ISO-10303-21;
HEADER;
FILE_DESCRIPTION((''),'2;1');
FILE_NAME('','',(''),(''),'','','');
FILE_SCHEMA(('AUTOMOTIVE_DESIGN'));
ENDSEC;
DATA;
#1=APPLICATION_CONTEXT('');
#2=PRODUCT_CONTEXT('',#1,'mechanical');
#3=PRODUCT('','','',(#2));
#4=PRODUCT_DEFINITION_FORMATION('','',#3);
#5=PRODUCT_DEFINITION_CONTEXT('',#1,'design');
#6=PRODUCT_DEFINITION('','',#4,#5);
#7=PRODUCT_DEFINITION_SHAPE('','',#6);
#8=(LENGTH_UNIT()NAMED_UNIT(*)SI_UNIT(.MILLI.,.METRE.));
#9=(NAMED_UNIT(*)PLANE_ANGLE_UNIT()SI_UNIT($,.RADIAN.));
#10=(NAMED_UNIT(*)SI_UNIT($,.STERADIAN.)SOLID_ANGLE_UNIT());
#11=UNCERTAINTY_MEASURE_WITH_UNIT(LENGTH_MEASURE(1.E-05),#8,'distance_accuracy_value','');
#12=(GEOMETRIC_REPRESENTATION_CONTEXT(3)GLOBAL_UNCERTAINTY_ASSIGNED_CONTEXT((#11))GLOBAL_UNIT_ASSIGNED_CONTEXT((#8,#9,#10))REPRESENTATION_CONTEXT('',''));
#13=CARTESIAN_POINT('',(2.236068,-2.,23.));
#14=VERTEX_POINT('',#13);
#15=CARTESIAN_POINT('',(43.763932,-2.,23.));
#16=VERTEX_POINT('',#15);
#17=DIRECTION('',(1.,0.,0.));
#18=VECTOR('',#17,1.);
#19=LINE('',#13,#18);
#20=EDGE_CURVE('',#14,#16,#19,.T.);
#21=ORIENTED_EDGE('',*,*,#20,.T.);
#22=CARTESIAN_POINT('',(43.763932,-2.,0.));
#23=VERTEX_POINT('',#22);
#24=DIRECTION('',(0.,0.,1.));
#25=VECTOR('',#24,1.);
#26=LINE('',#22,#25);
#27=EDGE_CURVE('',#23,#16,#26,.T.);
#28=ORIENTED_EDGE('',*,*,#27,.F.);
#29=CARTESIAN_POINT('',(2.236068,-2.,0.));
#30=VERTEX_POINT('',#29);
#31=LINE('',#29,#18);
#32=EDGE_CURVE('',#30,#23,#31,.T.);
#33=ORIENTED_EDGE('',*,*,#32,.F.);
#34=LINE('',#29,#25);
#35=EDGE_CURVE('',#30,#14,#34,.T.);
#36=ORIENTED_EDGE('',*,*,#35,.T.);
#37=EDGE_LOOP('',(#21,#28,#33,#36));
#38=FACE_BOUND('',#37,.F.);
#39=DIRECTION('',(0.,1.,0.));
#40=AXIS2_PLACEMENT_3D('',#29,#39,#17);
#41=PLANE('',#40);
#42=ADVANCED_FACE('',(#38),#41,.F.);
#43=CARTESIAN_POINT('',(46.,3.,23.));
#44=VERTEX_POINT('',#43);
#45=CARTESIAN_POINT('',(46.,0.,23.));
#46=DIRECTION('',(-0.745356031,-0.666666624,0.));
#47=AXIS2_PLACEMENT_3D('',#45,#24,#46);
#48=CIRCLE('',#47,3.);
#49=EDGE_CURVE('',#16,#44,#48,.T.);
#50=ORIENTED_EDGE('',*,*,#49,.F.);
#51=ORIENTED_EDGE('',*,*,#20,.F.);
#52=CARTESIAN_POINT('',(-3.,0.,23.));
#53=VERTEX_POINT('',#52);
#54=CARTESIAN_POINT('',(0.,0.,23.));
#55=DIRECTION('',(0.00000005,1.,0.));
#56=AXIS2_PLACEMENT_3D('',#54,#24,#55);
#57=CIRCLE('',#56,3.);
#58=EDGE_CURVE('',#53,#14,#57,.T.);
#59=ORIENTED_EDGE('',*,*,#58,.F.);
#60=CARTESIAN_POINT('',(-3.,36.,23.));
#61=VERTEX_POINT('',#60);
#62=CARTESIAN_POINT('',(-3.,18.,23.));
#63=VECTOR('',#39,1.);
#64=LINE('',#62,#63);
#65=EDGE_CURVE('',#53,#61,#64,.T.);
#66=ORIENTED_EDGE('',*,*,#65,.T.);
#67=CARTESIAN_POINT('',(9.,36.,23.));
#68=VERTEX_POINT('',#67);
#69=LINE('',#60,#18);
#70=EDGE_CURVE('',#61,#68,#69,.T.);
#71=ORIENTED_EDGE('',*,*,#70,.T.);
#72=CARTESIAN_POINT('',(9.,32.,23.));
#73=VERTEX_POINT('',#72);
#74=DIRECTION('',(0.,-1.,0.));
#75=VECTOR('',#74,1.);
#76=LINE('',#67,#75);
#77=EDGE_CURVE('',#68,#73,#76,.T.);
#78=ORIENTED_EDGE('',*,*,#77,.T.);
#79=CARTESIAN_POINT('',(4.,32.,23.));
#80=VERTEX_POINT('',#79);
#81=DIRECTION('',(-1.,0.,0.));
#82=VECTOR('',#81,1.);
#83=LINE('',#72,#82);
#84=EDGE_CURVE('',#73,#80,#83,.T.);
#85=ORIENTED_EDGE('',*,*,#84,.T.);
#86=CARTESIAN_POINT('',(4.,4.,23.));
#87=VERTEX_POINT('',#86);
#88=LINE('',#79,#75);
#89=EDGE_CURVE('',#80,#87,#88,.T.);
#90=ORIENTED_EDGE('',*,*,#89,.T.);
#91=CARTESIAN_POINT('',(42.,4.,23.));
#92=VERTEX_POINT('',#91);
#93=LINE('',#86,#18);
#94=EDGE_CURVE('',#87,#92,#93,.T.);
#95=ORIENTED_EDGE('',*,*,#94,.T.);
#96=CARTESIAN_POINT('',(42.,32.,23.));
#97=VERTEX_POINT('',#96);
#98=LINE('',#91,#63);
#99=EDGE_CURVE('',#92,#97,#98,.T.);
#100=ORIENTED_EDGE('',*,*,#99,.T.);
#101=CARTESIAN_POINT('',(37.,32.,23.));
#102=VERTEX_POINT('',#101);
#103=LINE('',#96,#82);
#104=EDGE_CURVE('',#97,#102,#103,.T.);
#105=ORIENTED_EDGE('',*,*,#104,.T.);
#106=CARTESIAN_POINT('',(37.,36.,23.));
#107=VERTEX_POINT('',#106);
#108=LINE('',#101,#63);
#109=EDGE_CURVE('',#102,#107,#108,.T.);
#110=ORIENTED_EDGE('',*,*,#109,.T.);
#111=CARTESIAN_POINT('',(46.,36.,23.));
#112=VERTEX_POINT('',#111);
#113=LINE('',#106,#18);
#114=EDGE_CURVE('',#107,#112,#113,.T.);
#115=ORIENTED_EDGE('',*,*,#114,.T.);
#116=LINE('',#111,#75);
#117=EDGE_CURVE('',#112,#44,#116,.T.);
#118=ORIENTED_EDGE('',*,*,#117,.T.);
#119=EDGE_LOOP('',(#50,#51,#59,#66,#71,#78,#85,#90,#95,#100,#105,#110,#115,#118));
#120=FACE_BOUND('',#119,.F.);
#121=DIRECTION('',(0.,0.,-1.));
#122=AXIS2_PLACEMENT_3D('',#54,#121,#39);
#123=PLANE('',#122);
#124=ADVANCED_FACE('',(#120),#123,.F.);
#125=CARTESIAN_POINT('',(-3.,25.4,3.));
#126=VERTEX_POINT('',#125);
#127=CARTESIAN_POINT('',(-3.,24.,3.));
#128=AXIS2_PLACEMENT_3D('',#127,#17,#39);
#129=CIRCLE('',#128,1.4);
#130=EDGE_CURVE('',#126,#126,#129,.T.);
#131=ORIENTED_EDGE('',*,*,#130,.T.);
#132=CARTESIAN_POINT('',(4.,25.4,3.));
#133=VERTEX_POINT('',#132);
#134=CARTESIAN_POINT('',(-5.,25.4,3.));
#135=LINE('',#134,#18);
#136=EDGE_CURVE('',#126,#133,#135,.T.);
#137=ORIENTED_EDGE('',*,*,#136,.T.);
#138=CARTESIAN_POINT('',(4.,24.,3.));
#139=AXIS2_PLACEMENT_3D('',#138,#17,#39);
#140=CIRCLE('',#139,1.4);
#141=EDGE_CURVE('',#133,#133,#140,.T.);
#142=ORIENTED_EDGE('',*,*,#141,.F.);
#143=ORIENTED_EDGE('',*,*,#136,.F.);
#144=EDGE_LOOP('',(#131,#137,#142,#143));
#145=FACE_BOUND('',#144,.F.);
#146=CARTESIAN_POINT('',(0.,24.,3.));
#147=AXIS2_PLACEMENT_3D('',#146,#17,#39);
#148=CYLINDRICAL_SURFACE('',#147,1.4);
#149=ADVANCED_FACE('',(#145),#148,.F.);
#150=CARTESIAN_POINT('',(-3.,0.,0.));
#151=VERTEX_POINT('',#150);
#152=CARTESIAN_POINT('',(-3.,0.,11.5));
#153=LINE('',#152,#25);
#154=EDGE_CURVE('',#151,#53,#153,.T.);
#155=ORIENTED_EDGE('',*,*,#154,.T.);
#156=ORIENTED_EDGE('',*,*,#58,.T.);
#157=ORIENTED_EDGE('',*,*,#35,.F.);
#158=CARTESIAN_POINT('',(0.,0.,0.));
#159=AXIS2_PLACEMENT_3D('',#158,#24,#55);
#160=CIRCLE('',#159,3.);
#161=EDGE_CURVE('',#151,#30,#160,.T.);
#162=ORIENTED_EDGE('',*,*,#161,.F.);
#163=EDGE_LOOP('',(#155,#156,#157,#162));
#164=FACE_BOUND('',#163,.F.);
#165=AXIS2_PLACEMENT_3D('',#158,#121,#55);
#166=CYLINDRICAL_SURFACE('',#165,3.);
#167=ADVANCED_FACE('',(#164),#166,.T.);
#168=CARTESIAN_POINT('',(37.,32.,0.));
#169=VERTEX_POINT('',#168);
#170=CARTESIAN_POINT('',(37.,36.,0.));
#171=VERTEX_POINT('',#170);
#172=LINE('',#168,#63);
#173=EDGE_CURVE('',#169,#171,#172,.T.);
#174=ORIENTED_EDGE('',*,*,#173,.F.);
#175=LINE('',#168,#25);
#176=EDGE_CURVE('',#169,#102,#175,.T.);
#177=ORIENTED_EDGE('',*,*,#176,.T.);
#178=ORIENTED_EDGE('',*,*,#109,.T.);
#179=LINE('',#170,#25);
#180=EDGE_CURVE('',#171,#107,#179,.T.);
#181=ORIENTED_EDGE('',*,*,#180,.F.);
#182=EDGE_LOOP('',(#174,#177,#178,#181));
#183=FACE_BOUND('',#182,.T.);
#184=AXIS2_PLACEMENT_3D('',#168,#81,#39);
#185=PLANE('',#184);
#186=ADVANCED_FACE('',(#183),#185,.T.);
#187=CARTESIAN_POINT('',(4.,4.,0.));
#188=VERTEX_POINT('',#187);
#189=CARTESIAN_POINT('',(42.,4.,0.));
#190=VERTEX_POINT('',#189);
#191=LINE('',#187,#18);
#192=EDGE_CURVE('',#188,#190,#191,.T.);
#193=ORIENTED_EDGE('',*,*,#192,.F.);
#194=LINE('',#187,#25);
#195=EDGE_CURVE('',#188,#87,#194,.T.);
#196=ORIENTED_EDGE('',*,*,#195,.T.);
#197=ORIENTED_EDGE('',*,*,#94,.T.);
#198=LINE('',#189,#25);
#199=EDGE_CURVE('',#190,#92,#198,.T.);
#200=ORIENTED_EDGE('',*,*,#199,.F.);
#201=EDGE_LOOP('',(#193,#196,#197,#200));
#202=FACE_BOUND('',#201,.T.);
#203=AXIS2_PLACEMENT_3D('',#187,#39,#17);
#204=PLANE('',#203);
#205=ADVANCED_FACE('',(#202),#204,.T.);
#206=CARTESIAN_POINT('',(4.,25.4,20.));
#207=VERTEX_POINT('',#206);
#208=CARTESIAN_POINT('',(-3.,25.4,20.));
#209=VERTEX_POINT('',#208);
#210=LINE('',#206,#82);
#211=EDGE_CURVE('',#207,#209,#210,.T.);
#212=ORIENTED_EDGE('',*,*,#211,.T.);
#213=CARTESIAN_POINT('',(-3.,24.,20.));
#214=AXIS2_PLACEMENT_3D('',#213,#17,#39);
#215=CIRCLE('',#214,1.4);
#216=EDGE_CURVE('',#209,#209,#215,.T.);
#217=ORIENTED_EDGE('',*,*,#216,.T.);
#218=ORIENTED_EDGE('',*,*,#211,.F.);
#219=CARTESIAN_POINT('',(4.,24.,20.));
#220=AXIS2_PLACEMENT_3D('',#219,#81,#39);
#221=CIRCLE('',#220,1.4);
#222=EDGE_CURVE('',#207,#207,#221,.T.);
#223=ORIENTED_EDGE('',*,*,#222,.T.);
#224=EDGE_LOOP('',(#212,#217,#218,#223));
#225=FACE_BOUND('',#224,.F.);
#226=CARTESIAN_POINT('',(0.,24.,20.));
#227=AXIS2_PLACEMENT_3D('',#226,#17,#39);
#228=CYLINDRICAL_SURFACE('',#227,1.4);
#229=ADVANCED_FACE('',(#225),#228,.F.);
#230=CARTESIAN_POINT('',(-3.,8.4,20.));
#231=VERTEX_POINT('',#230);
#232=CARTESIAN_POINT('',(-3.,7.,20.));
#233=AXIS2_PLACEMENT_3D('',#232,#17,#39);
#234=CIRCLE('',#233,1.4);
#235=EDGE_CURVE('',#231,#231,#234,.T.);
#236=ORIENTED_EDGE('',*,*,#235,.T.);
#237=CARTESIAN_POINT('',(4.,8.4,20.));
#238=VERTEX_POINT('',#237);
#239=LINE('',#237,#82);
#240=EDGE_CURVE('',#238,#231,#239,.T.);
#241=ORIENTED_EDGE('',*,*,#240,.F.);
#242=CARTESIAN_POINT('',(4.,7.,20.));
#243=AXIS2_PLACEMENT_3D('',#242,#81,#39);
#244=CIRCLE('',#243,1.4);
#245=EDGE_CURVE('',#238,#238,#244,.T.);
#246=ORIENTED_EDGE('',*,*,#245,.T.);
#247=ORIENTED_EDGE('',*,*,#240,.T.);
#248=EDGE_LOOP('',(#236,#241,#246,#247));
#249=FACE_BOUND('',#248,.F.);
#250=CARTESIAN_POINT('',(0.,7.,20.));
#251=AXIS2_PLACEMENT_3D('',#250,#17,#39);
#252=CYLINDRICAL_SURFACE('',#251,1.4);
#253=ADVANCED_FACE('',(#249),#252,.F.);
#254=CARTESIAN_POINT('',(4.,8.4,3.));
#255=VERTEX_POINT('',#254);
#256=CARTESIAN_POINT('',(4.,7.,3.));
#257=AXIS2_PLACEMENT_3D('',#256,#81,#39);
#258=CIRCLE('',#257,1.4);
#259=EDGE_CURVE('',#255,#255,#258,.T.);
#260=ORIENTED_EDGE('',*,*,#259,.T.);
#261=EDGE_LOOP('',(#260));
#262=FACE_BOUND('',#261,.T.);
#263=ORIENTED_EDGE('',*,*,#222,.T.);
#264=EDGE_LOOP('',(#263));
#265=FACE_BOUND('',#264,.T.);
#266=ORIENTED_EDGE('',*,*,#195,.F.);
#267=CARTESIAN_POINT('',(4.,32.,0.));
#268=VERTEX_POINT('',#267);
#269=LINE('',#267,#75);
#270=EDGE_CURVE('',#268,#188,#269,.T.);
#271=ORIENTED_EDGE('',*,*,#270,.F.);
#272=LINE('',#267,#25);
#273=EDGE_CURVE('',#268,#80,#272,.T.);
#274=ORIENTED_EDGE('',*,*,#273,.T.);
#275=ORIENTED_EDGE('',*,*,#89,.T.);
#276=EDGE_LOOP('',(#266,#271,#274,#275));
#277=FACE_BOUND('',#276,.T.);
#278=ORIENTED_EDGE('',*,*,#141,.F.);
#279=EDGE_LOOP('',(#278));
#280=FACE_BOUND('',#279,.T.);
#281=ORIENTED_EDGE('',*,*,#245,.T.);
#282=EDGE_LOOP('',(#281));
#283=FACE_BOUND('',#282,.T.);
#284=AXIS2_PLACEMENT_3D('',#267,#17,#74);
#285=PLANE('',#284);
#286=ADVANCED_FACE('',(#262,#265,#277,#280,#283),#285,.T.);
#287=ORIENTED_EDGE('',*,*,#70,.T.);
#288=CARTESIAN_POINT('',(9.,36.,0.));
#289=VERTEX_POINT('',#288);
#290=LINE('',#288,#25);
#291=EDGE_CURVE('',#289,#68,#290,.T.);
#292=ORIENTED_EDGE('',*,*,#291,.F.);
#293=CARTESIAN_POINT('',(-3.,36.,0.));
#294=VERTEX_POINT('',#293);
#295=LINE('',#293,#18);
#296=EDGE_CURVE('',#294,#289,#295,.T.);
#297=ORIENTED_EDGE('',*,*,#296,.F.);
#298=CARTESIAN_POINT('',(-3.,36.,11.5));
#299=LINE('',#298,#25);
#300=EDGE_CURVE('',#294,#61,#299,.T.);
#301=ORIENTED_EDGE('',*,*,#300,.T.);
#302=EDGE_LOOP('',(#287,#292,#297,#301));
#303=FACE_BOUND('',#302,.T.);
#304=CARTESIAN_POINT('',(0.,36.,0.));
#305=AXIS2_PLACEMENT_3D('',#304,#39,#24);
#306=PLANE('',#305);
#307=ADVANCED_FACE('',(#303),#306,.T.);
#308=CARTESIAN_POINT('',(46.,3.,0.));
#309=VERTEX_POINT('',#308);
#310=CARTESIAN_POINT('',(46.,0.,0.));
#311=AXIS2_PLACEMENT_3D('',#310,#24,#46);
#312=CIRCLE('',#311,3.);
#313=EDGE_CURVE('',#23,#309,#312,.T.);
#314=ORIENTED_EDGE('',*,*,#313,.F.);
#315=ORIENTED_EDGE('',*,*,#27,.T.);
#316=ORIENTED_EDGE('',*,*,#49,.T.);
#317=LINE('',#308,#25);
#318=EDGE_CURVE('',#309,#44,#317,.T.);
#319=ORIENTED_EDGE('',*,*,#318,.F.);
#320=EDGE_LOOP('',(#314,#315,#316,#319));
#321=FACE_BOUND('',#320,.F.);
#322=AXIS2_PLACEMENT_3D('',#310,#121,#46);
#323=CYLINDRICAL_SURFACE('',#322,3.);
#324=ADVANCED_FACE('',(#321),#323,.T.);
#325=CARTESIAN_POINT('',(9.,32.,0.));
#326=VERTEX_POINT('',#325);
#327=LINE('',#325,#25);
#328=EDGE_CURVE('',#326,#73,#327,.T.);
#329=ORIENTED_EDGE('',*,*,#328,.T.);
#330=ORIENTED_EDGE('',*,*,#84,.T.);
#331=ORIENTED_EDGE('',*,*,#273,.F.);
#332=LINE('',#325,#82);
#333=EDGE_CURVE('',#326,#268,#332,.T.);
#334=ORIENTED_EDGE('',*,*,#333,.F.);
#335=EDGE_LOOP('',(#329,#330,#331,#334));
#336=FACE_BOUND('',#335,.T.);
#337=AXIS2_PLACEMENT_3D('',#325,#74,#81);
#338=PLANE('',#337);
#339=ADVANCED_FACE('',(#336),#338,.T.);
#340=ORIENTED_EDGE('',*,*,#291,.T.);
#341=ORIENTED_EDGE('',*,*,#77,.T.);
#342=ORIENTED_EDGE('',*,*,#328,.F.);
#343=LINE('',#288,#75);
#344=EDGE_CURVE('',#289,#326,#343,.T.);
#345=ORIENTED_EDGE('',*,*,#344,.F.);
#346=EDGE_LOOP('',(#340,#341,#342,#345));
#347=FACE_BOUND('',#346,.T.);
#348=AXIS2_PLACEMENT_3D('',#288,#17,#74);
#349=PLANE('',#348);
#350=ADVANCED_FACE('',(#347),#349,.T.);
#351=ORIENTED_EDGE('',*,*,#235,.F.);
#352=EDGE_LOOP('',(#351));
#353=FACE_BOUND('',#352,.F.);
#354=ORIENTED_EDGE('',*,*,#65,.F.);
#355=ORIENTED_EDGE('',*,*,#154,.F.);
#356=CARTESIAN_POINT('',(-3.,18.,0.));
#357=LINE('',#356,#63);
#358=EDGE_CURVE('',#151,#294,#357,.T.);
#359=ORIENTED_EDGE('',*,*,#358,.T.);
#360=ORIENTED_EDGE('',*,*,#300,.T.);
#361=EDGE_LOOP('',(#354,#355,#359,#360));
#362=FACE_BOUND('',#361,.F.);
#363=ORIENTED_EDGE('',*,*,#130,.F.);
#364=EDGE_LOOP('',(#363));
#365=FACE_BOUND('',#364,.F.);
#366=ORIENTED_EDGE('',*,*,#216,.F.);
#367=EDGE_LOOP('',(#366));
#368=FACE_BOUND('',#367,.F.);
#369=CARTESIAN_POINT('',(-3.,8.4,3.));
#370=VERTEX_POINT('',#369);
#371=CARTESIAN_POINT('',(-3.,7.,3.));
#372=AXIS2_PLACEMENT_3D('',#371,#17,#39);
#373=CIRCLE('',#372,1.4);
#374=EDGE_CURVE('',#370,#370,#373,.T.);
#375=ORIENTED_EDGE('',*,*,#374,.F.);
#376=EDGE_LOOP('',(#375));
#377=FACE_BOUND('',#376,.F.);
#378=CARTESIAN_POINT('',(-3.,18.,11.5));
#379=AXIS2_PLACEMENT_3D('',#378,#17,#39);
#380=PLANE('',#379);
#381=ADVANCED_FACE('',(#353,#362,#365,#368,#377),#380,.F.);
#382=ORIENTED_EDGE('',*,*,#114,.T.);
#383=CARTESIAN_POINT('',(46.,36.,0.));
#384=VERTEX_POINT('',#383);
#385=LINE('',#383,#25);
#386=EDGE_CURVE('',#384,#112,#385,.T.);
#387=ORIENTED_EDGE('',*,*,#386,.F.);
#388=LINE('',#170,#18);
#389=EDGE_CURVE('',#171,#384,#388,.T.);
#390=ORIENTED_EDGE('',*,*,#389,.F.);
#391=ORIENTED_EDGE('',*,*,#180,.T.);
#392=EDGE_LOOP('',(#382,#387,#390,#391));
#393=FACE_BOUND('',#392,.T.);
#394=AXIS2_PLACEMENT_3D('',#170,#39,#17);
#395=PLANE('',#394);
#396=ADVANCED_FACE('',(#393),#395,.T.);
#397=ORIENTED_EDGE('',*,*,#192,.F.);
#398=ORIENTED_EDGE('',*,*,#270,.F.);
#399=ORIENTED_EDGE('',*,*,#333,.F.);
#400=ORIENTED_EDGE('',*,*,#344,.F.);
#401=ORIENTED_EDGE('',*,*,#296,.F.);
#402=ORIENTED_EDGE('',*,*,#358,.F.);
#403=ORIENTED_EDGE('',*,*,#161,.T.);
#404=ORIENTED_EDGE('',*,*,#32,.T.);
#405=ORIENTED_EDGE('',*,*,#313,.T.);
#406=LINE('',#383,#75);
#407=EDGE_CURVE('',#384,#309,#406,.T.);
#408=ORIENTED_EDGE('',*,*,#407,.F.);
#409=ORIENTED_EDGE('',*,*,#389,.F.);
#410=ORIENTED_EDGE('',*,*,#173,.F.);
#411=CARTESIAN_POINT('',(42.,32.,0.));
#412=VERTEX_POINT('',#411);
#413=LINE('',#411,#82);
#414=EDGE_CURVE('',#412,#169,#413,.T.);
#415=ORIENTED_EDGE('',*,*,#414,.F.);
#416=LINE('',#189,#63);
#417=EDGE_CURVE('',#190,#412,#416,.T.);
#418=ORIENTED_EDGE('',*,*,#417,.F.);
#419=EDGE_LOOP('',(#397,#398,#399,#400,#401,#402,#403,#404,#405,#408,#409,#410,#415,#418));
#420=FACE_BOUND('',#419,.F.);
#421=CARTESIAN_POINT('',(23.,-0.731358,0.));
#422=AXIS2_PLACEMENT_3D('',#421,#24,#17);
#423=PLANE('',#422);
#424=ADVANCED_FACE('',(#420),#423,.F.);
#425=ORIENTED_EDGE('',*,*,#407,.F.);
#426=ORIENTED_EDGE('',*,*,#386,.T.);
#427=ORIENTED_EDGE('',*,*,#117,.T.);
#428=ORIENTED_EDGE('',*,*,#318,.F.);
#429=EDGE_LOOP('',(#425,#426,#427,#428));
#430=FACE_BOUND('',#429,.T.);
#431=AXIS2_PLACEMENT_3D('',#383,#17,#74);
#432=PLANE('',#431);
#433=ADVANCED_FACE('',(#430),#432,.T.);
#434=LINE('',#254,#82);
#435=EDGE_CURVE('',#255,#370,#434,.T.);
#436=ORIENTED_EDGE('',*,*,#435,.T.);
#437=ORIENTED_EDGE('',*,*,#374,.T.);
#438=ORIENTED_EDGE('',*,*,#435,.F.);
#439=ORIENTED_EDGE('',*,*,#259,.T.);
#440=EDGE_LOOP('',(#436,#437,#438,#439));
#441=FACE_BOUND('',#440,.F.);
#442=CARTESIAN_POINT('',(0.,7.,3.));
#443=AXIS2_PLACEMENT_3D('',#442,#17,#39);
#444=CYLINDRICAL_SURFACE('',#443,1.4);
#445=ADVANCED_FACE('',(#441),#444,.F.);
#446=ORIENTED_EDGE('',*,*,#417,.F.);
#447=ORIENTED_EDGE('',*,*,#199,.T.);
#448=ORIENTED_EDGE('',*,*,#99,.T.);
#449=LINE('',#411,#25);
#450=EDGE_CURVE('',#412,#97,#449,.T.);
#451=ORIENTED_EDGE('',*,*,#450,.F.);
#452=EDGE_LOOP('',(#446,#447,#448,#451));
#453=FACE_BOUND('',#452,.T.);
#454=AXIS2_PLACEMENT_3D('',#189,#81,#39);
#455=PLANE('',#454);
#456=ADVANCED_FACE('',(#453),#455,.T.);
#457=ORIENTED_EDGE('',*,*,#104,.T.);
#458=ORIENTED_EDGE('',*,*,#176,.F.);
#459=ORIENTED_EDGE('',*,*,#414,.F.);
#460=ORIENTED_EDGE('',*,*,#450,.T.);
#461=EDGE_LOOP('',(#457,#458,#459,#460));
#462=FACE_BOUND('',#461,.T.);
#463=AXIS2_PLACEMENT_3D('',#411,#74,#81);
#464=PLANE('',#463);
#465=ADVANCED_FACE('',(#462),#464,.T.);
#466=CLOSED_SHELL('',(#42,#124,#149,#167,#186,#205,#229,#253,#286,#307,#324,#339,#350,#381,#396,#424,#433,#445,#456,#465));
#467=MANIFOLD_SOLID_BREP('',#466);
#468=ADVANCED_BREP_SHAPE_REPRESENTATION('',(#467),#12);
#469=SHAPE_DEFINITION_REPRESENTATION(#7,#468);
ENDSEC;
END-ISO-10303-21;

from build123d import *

# Parameters (mm, degrees)
PAD014_DEPTH    = 23
PAD015_DEPTH    = 23
SKETCH022_W     = 36
SKETCH022_H     = 23
PAD016_DEPTH    = 3
SKETCH023_R     = 1.4
POCKET004_DEPTH = 5


with BuildPart() as part:
    # Sketch019 → Pad014 (new body)
    with BuildSketch(Plane.XY):
        Polygon((4, 4), (42, 4), (42, 32), (37, 32), (37, 36), (46, 36), (46, 0), (0, 0), (0, 36), (9, 36), (9, 32), (4, 32), align=None)
    extrude(amount=PAD014_DEPTH)

    # Sketch020 → Pad015 (join)
    with BuildSketch(Plane.XY):
        with BuildLine():
            ThreePointArc((43.763932, -2), (48.738613, -1.224745), (46, 3))
            Line((46, 3), (46, 0))
            Line((0, 0), (46, 0))
            Line((0, 3), (0, 0))
            ThreePointArc((0, 3), (-2.738613, -1.224745), (2.236068, -2))
            Line((2.236068, -2), (43.763932, -2))
        make_face()
    extrude(amount=PAD015_DEPTH)

    # Sketch022 → Pad016 (join)
    with BuildSketch(Plane.YZ):
        with Locations((18, 11.5)):
            Rectangle(SKETCH022_W, SKETCH022_H)
    extrude(amount=-PAD016_DEPTH)

    # Sketch023 → Pocket004 (cut, symmetric)
    with BuildSketch(Plane.YZ):
        with Locations((7, 20)):
            Circle(SKETCH023_R)
        with Locations((24, 20)):
            Circle(SKETCH023_R)
        with Locations((7, 3)):
            Circle(SKETCH023_R)
        with Locations((24, 3)):
            Circle(SKETCH023_R)
    extrude(amount=POCKET004_DEPTH, both=True, mode=Mode.SUBTRACT)


solid = part.part
